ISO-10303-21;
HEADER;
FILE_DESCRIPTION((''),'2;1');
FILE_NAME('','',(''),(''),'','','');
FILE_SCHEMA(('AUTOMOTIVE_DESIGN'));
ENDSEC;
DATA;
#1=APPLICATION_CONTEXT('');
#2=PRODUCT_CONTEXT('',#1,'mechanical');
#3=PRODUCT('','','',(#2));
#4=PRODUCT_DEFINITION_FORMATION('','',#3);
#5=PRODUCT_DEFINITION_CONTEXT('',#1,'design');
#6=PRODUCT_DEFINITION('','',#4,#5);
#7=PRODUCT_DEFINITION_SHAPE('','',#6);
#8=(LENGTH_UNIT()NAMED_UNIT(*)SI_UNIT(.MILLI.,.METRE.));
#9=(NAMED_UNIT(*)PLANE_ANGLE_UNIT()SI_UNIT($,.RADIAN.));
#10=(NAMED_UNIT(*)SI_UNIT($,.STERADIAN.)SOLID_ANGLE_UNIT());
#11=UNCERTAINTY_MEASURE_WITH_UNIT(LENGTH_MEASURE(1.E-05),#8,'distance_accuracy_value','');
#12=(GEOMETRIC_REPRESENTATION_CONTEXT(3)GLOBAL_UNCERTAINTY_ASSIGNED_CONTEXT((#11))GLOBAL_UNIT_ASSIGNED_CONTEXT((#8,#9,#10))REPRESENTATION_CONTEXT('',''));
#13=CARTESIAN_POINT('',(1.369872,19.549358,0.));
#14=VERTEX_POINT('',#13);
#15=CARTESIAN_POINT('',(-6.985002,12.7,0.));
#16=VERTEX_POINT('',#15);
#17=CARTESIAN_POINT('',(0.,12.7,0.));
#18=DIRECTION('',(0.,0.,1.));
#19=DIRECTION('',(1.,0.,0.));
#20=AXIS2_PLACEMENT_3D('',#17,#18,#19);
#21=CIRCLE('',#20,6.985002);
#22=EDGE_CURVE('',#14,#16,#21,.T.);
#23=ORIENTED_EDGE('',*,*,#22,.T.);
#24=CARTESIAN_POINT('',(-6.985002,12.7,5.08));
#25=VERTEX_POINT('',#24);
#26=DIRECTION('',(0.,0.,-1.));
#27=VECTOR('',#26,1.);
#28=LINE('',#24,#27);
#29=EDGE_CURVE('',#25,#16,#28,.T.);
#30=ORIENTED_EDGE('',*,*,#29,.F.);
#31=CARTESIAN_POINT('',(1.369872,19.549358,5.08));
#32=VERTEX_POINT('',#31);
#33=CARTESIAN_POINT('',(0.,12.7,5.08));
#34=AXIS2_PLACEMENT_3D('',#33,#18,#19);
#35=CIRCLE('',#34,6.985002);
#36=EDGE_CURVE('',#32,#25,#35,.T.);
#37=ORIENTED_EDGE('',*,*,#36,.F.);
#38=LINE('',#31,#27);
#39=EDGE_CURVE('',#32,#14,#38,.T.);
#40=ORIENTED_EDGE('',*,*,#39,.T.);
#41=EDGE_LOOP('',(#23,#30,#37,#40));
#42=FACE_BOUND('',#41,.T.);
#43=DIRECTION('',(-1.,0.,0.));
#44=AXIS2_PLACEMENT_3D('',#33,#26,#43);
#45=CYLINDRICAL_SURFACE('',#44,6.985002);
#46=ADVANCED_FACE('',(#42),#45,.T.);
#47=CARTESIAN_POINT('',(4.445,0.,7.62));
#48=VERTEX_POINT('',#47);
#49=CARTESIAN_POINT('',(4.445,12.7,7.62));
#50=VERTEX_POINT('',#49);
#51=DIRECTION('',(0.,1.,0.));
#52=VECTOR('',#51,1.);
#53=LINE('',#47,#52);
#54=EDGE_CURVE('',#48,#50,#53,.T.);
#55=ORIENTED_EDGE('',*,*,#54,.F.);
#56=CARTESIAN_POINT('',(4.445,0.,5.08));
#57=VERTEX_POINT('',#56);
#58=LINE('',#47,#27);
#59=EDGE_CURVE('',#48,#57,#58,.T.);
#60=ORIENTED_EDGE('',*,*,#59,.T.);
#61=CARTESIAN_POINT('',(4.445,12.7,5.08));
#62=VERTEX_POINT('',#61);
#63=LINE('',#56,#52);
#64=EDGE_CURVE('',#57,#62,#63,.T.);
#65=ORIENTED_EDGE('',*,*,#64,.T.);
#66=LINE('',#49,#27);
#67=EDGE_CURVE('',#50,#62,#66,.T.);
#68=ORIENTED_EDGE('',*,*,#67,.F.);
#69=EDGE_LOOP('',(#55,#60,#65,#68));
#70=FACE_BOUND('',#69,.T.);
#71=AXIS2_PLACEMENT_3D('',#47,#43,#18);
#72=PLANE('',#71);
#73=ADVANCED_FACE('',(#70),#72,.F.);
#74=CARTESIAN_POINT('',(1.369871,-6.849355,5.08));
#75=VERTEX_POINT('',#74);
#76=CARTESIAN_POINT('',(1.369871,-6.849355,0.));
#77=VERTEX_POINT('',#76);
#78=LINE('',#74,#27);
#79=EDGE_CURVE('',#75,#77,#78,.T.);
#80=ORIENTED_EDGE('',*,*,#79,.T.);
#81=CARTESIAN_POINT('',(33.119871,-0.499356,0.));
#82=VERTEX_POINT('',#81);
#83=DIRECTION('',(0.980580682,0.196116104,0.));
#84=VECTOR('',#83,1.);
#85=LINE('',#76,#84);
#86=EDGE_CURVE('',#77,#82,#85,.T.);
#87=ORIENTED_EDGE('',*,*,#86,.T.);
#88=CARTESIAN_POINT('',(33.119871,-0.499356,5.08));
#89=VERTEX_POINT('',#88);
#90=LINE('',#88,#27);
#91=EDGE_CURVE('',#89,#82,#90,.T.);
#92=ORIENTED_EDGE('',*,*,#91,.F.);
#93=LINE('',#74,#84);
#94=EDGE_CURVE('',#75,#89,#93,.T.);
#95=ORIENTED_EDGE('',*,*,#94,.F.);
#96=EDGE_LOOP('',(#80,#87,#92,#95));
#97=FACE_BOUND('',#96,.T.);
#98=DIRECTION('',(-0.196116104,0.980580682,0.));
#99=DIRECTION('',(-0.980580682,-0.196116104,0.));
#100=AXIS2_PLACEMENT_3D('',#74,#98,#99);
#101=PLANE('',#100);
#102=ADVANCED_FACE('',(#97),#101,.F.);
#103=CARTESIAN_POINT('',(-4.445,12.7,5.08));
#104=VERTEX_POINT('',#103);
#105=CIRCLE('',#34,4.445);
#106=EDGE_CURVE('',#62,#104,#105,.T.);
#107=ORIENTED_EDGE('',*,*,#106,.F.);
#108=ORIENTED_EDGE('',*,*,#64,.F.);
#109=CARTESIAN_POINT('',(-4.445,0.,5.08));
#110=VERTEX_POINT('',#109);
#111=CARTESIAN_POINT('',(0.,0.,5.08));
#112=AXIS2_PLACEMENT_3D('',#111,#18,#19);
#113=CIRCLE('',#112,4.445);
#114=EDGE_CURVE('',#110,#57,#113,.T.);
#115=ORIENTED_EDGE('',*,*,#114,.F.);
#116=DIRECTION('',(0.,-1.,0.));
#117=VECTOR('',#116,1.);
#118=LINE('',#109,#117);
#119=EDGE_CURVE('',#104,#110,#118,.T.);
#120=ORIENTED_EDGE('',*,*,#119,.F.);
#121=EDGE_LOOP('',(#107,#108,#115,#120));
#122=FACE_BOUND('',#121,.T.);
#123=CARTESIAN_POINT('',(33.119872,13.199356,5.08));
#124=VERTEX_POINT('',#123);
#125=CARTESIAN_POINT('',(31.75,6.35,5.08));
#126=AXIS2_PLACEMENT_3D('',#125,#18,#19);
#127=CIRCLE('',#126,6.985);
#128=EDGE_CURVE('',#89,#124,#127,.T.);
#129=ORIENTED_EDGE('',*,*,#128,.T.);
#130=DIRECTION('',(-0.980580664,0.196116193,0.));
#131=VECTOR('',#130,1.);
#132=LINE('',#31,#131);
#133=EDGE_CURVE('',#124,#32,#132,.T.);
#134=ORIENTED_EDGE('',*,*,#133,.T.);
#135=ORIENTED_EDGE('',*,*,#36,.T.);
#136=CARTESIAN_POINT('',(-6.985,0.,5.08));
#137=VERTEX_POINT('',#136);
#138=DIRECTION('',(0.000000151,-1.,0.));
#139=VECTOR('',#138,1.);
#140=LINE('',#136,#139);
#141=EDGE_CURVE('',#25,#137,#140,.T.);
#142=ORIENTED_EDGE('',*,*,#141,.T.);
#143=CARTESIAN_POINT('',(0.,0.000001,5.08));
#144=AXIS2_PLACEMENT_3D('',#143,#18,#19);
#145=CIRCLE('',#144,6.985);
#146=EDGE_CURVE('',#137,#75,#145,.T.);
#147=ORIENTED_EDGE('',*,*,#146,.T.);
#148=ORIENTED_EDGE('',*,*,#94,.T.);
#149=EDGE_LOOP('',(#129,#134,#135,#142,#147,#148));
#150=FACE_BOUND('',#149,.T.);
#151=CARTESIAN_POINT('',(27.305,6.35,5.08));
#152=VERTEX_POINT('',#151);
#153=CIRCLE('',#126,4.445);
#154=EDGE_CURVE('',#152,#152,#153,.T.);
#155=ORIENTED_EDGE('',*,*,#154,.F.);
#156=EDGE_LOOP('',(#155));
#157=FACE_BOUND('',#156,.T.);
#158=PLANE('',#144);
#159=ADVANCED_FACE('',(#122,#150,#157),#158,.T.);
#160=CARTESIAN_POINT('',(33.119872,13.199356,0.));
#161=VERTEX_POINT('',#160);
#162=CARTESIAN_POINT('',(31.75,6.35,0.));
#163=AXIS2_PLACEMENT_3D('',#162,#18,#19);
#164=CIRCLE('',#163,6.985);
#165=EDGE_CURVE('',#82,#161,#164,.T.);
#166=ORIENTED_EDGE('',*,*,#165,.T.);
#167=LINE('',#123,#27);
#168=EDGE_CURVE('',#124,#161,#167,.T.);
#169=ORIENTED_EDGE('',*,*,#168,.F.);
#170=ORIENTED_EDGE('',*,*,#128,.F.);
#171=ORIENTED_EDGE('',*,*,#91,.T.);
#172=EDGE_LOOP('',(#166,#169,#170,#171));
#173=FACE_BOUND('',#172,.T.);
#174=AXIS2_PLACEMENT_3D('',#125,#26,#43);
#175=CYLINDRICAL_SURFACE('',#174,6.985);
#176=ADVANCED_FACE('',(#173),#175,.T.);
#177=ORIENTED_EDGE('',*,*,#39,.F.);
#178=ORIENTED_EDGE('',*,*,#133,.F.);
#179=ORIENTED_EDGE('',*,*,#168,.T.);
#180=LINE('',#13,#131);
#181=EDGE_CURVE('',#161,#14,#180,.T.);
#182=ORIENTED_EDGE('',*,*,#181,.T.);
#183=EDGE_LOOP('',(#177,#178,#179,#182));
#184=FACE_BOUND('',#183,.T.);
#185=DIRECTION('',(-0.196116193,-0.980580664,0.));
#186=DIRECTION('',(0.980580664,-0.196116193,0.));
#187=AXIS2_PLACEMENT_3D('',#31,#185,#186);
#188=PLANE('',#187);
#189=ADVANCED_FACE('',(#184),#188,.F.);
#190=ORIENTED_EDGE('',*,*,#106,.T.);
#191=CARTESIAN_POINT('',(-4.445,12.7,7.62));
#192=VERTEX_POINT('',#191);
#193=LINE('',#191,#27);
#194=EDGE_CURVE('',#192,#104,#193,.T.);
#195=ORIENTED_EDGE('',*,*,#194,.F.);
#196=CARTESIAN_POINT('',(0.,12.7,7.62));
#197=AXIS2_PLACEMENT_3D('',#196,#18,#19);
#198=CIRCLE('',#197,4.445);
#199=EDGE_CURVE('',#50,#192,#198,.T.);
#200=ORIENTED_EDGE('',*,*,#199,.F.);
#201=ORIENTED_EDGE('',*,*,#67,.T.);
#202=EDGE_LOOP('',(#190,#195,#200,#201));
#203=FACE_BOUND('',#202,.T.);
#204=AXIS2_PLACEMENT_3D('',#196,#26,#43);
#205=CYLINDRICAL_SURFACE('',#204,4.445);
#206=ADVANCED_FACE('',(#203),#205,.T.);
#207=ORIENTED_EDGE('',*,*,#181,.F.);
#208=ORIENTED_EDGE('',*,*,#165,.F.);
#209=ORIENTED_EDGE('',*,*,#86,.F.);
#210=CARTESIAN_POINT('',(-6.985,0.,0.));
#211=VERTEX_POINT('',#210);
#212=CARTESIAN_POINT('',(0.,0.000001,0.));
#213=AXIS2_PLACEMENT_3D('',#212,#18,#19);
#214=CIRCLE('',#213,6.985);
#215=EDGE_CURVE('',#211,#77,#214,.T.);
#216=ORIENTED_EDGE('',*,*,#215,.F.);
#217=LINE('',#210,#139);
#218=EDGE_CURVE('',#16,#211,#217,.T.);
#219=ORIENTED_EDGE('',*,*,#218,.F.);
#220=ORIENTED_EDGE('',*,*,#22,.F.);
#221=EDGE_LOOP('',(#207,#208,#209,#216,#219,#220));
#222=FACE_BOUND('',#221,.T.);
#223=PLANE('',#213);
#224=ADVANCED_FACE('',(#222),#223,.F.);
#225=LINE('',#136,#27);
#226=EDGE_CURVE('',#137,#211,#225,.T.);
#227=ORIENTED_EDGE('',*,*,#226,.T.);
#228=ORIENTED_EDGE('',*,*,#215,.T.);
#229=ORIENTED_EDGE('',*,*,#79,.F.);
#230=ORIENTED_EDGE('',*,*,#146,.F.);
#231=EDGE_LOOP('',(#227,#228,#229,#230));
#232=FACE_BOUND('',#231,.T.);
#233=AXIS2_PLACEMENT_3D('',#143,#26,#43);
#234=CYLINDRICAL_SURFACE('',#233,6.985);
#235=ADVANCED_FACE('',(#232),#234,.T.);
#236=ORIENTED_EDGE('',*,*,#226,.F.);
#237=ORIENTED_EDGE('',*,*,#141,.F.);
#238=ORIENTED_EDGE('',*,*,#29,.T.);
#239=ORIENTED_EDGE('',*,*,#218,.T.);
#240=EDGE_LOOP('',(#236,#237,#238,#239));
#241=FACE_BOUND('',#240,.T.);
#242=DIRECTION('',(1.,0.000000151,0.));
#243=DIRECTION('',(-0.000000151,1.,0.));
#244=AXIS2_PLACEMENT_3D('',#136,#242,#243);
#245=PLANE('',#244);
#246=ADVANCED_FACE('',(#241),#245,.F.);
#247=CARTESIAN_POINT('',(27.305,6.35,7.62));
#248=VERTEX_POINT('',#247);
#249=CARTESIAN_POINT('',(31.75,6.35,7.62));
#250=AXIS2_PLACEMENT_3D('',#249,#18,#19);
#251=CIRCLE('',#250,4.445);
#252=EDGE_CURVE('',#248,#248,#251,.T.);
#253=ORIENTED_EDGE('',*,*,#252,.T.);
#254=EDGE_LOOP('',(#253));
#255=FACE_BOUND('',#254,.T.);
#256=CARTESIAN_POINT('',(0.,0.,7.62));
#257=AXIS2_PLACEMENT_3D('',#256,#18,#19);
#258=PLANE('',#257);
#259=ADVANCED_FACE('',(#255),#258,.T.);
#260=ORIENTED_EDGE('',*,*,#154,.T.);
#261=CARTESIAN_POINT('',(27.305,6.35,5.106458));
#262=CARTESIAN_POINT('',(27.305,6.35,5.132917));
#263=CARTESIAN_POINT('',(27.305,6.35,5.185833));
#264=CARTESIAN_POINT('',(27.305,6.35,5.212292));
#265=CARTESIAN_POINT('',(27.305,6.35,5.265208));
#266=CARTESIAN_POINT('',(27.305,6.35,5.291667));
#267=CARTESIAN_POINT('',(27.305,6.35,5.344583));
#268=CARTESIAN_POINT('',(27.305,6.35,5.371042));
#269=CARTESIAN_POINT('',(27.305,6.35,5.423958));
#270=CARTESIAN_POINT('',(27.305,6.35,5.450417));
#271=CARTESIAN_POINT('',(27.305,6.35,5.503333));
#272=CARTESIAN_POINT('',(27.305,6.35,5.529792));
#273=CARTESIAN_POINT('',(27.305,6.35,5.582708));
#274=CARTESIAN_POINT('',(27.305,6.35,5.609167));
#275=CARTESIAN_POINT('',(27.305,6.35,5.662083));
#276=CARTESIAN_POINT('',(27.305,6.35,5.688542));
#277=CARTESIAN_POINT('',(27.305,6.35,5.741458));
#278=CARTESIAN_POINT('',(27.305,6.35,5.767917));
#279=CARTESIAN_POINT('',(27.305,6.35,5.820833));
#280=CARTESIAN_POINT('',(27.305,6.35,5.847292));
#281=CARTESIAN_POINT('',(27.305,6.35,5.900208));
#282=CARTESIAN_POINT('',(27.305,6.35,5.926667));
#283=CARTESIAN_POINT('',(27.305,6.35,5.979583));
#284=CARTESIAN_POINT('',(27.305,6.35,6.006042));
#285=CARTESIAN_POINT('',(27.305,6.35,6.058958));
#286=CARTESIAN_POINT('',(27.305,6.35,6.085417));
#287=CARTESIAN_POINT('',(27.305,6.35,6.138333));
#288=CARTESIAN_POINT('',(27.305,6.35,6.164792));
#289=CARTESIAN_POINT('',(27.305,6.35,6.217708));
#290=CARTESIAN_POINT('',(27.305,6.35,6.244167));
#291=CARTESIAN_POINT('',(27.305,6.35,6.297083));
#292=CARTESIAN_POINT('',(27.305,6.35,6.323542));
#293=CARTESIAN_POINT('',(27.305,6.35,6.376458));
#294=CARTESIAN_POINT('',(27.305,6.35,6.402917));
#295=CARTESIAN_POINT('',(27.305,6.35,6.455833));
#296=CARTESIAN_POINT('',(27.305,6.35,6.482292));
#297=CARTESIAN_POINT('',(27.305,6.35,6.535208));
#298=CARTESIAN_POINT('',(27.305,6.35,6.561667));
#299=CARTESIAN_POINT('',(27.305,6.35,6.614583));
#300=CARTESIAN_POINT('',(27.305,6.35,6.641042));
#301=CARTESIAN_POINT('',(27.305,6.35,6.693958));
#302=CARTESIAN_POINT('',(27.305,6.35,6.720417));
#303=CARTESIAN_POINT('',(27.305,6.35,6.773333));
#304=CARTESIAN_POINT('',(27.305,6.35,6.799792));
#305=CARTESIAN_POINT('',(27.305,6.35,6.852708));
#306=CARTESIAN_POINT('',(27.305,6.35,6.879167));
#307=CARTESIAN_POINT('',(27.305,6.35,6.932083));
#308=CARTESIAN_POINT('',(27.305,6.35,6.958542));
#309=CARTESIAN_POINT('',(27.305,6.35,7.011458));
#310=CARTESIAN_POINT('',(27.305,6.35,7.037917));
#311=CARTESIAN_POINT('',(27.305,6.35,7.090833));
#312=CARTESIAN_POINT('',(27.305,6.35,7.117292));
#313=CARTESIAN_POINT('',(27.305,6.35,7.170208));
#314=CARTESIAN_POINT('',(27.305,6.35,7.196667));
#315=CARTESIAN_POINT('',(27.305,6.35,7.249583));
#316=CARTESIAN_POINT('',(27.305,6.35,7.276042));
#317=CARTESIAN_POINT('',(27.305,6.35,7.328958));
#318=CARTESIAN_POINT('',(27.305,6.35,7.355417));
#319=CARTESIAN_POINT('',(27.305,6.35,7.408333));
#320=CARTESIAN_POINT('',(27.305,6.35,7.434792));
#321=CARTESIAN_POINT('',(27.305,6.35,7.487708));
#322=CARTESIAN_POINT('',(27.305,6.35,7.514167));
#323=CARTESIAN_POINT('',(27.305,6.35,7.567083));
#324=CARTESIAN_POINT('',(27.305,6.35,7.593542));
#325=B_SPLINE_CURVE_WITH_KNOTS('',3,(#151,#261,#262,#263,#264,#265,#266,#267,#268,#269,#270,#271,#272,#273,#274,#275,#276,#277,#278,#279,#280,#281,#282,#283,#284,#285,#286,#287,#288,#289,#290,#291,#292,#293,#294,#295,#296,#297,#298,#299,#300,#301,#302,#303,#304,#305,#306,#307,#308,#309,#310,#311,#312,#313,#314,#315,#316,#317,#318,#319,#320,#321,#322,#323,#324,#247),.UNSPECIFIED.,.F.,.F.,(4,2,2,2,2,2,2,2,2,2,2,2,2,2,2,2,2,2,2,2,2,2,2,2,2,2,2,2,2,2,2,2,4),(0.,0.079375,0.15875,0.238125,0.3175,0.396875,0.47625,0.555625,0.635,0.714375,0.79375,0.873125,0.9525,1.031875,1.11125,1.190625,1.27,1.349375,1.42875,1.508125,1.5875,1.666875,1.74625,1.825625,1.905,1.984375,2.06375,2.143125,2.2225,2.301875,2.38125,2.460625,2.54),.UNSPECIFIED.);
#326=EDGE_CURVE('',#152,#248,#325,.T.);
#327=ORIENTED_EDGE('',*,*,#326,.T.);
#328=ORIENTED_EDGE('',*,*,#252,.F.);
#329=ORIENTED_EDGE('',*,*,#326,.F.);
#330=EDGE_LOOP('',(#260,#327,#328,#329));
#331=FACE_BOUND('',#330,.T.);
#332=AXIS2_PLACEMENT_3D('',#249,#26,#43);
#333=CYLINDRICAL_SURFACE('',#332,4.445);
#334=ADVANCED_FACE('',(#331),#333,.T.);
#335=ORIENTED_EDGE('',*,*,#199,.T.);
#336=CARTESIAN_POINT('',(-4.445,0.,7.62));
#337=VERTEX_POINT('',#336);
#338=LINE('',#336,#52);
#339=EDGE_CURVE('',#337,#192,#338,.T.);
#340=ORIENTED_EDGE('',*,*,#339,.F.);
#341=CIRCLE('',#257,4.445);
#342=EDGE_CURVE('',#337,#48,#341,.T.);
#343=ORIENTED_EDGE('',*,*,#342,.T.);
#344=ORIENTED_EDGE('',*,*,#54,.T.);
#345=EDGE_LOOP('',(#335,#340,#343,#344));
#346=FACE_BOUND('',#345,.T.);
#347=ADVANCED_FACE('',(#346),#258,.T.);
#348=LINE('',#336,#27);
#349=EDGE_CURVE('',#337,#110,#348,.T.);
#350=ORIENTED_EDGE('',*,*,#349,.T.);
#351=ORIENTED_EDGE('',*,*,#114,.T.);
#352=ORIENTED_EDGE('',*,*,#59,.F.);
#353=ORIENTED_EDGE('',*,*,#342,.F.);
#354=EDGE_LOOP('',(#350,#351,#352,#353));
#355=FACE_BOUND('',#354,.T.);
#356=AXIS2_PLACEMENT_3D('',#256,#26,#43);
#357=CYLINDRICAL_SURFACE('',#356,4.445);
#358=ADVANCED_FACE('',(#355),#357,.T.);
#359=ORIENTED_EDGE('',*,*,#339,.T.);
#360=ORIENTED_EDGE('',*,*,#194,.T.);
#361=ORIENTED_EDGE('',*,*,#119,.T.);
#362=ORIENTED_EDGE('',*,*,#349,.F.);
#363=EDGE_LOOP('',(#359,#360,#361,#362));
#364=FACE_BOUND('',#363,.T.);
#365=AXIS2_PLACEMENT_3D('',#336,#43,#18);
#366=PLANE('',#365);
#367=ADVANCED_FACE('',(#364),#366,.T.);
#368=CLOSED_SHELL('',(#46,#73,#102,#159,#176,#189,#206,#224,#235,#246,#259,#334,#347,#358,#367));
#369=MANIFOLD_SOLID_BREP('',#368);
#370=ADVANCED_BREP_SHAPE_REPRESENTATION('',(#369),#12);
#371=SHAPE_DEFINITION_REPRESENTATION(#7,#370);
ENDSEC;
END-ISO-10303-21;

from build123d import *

# Parameters (mm, degrees)
SKETCH1_R           = 4.445
BOSS_EXTRUDE1_DEPTH = 5.08
SKETCH1_8_R         = 4.445
BOSS_EXTRUDE2_DEPTH = 7.62


with BuildPart() as part:
    # Sketch1 → Boss-Extrude1 (new body)
    with BuildSketch(Plane.XY):
        with BuildLine():
            Line((-6.985, 0), (-6.985001912, 12.7))
            ThreePointArc((-6.985001912, 12.7), (-4.428413558, 18.101796467), (1.369871983, 19.549357814))
            Line((1.369871983, 19.549357814), (33.119871608, 13.199355939))
            ThreePointArc((33.119871608, 13.199355939), (38.735, 6.349999683), (33.119870986, -0.499356063))
            Line((33.119870986, -0.499356063), (1.369870986, -6.849355012))
            ThreePointArc((1.369870986, -6.849355012), (-4.428412185, -5.401794068), (-6.985, 0))
        make_face()
        with Locations((31.75, 6.35)):
            Circle(SKETCH1_R, mode=Mode.SUBTRACT)
        with BuildLine():
            Line((-4.445, 0), (-4.445, 12.7))
            ThreePointArc((-4.445, 12.7), (0, 17.145), (4.445, 12.7))
            Line((4.445, 12.7), (4.445, 0))
            ThreePointArc((4.445, 0), (0, -4.445), (-4.445, 0))
        make_face(mode=Mode.SUBTRACT)
    extrude(amount=BOSS_EXTRUDE1_DEPTH)

    # Sketch1<8> → Boss-Extrude2 (add)
    with BuildSketch(Plane.XY):
        with BuildLine():
            Line((-4.445, 12.7), (-4.445, 0))
            ThreePointArc((-4.445, 0), (0, -4.445), (4.445, 0))
            Line((4.445, 0), (4.445, 12.7))
            ThreePointArc((4.445, 12.7), (0, 17.145), (-4.445, 12.7))
        make_face()
        with Locations((31.75, 6.35)):
            Circle(SKETCH1_8_R)
    extrude(amount=BOSS_EXTRUDE2_DEPTH)


solid = part.part
